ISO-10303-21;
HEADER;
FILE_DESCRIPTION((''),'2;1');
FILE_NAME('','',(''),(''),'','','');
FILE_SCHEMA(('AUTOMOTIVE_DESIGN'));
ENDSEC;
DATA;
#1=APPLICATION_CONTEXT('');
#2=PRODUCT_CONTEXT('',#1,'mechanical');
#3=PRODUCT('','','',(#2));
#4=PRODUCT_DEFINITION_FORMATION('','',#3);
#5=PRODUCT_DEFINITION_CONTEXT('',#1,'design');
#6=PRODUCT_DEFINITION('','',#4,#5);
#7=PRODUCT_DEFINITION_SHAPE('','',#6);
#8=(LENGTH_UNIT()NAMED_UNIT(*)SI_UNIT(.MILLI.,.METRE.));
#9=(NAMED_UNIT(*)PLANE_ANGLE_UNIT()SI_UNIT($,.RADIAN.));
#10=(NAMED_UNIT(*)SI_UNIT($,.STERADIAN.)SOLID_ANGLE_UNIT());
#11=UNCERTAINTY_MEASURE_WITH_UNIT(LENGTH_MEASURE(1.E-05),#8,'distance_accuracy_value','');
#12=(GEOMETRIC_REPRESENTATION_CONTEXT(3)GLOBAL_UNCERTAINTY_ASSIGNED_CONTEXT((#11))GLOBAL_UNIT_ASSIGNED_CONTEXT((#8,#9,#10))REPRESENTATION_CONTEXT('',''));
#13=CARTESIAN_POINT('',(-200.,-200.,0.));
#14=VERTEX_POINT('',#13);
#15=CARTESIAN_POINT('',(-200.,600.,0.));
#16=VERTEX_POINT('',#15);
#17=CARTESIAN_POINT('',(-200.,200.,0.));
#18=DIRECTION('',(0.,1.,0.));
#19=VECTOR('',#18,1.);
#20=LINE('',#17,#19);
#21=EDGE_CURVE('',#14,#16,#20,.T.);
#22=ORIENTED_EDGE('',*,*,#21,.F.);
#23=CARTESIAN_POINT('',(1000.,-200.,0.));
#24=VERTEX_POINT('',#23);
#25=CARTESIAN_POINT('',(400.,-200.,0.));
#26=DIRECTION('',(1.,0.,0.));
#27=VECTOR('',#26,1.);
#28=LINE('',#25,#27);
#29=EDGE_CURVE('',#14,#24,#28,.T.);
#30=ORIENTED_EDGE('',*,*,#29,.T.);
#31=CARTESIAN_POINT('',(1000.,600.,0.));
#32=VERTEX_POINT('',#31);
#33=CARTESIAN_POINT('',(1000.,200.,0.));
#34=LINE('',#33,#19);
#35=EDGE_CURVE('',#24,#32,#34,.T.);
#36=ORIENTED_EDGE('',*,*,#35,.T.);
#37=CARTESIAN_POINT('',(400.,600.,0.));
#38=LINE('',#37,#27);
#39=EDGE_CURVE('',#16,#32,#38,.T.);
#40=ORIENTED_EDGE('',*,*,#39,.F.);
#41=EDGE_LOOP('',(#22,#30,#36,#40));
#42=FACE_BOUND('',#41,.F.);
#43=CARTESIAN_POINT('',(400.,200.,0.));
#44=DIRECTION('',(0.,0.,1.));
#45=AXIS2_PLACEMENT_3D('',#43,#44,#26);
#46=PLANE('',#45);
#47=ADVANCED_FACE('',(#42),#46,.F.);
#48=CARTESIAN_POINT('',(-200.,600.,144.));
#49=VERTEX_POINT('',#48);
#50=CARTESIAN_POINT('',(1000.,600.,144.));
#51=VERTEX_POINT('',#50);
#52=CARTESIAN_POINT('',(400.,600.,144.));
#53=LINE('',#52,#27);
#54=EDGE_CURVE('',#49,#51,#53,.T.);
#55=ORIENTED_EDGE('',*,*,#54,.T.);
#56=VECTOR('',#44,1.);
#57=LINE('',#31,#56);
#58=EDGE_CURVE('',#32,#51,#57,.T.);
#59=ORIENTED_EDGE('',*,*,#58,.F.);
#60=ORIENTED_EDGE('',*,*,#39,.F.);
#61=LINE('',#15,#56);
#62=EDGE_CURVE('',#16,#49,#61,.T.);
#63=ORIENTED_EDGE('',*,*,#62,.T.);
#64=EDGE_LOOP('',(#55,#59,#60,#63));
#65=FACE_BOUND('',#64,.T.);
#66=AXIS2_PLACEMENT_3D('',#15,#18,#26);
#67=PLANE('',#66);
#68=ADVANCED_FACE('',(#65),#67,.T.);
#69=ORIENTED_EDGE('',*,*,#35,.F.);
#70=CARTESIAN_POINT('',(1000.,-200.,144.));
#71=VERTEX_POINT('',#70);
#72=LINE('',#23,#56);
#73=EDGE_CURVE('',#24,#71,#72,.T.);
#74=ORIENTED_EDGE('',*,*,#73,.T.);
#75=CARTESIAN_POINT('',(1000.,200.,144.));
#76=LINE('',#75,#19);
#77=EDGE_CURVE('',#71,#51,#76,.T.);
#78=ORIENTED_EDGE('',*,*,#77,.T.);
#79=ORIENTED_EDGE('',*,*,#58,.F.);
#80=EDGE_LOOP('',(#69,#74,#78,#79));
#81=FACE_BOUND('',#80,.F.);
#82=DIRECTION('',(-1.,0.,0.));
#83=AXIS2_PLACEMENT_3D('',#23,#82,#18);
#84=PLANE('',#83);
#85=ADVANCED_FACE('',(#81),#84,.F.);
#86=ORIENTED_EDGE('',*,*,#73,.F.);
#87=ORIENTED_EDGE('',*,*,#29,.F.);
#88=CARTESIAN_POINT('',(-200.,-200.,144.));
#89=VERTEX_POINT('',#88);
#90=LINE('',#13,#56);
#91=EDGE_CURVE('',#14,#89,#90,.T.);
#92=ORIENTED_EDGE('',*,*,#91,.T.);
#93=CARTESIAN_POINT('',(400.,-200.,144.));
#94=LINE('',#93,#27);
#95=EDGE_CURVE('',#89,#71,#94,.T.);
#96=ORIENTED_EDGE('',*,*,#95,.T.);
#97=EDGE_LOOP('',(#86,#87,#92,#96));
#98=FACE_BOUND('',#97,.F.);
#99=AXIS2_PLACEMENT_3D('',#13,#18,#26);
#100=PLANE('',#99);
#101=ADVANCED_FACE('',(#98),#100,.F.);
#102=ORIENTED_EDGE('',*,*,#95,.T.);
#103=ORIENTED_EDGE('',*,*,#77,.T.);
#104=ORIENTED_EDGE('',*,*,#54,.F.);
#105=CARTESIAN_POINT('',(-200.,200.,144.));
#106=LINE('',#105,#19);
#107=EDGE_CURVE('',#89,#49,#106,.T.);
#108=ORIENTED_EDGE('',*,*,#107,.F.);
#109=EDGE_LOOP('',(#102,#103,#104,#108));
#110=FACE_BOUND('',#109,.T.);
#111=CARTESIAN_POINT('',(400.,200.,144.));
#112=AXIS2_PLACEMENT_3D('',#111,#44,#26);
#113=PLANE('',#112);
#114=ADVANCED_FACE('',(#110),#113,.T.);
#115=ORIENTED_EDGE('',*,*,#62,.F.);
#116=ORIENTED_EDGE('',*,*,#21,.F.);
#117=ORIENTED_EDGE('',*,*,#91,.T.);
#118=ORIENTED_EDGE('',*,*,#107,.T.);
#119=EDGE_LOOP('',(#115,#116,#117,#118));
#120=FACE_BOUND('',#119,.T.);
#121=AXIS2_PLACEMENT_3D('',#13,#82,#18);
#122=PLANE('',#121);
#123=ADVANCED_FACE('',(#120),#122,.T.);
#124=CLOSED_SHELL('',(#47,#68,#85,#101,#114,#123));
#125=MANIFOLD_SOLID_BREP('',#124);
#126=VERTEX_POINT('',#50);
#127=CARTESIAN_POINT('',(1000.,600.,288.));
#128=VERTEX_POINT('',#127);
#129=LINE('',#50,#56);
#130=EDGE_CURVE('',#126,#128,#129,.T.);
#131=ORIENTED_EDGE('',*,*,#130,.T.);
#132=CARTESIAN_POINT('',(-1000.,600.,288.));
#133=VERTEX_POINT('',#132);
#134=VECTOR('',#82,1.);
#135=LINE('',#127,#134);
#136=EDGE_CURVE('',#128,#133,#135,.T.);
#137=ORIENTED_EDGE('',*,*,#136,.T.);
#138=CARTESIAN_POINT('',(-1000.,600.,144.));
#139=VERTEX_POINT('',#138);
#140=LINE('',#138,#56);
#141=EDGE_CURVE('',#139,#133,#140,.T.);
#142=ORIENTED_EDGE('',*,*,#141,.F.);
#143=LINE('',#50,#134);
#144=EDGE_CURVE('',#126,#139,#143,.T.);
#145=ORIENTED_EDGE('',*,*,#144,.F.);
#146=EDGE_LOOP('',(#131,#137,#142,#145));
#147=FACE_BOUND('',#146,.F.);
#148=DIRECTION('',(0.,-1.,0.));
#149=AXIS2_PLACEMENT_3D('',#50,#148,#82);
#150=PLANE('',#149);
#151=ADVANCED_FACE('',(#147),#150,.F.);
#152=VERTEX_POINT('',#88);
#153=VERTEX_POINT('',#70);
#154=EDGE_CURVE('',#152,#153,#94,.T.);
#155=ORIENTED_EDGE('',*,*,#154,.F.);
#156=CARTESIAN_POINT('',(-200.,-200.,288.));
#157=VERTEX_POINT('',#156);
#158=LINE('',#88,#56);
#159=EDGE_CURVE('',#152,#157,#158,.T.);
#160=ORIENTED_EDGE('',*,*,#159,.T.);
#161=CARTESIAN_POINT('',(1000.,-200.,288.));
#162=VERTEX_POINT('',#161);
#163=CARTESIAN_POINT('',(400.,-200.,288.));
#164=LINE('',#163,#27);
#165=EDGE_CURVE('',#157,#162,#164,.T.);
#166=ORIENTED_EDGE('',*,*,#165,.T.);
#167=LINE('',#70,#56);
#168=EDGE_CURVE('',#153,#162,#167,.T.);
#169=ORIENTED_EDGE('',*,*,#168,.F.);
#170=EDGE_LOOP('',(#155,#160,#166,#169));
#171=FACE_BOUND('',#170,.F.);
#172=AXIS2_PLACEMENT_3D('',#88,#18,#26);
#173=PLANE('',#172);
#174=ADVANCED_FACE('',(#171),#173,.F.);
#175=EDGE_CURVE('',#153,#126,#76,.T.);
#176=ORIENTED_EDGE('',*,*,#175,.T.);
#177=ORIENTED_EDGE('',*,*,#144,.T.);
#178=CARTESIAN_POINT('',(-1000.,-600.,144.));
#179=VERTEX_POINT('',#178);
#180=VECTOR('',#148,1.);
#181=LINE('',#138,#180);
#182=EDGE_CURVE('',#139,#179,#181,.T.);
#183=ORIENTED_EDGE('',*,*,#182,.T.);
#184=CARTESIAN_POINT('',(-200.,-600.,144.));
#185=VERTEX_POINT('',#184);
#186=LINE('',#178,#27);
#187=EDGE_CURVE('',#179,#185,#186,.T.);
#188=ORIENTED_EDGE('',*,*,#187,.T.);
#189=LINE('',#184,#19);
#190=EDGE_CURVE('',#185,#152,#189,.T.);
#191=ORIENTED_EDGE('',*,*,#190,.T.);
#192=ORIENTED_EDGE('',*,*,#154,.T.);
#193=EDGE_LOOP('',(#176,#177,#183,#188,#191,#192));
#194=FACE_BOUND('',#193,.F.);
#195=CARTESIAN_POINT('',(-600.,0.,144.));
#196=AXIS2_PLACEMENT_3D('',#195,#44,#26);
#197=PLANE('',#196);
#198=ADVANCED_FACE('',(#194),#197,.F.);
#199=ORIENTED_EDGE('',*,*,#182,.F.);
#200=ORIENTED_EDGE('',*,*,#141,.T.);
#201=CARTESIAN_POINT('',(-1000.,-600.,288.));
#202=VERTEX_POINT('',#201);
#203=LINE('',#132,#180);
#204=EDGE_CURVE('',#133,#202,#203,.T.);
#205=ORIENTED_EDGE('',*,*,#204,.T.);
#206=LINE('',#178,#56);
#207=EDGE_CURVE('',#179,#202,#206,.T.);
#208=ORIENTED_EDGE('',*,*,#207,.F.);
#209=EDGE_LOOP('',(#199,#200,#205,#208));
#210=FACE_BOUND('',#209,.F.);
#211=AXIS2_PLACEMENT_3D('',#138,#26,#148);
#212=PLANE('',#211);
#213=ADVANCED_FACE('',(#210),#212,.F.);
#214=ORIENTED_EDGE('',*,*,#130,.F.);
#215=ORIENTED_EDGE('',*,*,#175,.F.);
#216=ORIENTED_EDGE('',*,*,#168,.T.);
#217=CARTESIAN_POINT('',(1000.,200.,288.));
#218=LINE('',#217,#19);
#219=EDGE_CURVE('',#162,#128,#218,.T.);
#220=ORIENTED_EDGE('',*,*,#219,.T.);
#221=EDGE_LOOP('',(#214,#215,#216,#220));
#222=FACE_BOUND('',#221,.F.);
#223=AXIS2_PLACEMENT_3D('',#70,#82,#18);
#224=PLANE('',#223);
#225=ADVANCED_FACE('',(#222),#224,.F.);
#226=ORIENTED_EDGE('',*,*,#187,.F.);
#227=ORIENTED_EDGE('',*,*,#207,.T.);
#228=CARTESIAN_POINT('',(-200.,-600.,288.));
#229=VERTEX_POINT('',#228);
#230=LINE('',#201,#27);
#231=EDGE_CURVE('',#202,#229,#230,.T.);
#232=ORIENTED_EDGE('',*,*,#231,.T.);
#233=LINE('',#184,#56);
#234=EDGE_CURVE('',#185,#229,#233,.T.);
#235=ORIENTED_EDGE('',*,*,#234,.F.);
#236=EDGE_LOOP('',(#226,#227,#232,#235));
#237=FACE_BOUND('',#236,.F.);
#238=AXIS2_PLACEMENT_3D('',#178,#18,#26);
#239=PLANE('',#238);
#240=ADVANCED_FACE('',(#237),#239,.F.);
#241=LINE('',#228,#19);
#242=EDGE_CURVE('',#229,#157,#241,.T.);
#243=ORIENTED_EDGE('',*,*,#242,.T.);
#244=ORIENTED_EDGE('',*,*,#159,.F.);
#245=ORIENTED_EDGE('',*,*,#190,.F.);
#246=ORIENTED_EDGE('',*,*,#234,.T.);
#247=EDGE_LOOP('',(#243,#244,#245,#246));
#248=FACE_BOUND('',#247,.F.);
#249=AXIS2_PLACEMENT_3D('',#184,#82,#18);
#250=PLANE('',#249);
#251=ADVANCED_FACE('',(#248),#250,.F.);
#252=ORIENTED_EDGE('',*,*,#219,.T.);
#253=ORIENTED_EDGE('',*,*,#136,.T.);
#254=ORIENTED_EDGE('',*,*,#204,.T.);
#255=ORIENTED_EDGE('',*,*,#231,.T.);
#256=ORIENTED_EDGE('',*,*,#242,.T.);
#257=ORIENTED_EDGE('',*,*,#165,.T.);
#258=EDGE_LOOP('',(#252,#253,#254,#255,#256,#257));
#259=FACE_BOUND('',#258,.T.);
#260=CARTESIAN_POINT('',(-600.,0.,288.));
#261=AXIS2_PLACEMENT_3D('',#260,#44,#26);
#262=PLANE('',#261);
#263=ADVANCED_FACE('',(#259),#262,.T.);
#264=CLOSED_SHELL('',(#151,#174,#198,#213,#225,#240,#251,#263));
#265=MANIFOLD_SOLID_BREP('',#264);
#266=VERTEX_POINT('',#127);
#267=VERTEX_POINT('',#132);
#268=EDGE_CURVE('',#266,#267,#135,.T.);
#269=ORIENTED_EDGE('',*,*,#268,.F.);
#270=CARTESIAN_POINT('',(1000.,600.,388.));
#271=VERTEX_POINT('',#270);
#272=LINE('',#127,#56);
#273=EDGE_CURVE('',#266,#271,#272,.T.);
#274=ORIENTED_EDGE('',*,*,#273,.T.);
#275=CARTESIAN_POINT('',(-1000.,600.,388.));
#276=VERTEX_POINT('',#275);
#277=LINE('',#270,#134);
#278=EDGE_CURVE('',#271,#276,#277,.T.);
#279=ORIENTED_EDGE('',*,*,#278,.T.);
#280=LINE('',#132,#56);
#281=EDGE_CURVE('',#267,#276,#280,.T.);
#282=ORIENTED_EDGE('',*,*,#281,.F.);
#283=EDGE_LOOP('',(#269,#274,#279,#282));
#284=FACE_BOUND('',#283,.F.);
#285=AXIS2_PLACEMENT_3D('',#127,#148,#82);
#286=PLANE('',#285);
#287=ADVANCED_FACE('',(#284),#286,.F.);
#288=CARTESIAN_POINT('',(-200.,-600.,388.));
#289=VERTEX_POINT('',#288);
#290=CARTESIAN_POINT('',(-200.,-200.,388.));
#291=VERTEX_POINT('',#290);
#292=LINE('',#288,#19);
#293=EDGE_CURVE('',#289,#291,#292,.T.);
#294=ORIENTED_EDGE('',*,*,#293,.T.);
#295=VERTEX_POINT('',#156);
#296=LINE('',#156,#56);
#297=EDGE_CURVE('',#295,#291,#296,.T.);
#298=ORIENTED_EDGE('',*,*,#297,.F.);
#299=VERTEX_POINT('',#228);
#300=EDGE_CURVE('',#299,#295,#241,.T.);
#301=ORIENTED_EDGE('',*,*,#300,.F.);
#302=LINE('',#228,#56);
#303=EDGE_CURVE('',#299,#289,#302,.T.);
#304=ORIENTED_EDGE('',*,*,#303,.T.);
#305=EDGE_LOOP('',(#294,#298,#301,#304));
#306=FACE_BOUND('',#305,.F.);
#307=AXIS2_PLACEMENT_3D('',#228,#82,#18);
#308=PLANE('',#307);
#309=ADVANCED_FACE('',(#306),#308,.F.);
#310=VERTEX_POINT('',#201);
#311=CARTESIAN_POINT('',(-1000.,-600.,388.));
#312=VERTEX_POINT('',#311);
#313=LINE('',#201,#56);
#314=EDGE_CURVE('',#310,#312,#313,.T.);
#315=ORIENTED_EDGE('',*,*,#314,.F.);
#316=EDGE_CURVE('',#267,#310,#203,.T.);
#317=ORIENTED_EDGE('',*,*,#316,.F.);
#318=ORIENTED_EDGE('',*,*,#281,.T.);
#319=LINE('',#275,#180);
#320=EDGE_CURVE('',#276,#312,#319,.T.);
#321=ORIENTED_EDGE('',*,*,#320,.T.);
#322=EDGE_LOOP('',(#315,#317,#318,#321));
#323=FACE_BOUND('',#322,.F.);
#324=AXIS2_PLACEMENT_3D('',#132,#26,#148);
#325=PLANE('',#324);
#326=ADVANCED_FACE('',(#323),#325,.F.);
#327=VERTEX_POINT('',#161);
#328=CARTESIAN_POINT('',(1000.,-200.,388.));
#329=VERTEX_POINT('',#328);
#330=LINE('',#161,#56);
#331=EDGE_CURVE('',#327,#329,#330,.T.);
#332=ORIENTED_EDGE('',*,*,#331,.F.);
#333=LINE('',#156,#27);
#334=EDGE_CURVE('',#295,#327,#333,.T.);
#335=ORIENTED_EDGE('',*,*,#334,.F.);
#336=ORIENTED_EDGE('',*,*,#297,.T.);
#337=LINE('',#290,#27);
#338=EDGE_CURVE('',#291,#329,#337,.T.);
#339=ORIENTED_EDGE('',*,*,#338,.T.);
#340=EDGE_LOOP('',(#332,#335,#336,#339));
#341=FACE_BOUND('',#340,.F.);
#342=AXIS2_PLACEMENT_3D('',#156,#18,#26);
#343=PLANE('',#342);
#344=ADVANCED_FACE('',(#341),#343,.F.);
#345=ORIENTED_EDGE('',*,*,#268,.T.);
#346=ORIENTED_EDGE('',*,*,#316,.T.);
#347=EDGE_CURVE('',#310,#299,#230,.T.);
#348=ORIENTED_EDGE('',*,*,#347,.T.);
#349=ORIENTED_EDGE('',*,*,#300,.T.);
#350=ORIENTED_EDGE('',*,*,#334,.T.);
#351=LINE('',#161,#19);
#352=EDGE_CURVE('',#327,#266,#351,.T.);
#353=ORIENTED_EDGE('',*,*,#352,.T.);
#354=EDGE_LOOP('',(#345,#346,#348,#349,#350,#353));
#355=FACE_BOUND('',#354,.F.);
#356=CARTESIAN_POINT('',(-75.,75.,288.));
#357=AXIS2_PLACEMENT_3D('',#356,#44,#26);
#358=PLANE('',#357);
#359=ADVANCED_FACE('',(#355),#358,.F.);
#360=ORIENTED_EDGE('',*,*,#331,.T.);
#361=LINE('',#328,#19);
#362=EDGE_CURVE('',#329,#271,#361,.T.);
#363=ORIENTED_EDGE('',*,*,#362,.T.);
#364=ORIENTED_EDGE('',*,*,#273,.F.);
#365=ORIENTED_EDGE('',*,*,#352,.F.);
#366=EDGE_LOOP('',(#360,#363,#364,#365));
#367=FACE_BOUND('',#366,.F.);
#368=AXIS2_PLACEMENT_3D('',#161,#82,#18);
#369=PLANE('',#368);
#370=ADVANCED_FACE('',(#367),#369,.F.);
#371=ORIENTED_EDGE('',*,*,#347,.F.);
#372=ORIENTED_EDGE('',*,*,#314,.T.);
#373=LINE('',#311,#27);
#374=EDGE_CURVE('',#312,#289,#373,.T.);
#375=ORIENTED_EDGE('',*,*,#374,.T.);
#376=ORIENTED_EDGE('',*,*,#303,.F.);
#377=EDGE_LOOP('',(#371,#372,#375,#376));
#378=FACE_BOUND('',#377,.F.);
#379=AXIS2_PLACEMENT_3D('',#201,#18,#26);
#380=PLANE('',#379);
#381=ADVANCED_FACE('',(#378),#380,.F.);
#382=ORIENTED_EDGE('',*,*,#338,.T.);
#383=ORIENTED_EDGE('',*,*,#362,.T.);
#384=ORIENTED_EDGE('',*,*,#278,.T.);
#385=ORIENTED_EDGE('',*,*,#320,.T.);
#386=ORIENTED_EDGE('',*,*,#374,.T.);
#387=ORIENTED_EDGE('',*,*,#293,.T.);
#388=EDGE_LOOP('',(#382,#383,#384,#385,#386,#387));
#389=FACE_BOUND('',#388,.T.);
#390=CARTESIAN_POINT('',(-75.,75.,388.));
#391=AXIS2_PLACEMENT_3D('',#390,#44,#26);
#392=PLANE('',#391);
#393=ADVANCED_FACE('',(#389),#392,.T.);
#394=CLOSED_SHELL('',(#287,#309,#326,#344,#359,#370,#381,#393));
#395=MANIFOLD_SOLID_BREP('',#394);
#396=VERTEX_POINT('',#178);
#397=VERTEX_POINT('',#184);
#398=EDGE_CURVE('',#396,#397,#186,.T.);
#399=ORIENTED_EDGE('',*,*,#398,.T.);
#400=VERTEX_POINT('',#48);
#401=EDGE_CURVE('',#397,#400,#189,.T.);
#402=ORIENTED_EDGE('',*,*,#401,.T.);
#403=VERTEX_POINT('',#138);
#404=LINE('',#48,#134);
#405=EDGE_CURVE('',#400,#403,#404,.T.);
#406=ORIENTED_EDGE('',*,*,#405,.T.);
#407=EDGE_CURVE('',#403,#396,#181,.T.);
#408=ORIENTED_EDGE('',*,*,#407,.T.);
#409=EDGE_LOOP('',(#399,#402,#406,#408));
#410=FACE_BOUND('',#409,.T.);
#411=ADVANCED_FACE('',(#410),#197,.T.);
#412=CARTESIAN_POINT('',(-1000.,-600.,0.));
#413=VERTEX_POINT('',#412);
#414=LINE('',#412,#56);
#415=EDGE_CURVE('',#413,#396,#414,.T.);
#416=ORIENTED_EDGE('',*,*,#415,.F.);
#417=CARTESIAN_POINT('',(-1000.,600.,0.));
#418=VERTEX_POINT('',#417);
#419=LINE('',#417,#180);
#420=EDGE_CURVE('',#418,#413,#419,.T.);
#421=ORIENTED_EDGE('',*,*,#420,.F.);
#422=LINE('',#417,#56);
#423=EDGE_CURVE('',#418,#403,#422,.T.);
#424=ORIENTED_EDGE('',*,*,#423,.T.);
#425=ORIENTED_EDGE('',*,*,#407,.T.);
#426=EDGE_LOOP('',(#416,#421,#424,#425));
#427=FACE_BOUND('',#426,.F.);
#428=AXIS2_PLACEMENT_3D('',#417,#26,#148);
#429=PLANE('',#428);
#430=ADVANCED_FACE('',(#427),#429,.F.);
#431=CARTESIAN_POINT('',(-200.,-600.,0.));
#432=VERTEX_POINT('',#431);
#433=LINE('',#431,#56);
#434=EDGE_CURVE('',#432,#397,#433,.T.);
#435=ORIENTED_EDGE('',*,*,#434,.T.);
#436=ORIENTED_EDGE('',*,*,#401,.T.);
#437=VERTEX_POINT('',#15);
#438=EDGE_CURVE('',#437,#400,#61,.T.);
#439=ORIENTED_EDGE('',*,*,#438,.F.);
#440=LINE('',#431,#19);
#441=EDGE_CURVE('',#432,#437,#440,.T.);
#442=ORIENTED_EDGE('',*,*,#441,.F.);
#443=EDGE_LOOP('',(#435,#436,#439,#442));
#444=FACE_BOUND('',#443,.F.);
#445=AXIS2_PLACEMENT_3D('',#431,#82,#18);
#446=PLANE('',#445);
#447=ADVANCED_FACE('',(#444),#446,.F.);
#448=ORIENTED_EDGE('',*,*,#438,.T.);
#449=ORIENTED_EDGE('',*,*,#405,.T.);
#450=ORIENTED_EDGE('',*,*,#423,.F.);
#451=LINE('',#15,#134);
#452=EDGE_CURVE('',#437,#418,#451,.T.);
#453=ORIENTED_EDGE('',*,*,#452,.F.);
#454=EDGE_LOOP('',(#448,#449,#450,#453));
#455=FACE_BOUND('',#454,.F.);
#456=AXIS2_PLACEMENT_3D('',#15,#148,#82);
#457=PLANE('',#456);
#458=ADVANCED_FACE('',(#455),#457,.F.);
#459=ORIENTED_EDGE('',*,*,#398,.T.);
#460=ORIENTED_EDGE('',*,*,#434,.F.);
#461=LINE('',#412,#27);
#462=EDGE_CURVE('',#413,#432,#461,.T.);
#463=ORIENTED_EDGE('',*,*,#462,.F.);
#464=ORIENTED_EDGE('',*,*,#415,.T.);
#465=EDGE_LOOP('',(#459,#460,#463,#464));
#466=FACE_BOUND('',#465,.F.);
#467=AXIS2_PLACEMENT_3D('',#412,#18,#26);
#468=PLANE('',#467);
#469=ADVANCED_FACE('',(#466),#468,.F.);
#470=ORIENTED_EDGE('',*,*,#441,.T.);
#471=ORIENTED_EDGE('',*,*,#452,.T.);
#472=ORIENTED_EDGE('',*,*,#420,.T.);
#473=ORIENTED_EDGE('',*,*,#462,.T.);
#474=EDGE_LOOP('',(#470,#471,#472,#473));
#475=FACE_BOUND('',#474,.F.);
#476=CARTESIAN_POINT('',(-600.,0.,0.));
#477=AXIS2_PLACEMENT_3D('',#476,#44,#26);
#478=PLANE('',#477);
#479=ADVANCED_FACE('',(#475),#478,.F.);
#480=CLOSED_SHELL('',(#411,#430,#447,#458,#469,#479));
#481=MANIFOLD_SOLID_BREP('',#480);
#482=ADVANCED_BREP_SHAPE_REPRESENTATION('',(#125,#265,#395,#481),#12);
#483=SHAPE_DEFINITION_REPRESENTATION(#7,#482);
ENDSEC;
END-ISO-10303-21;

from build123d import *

# Parameters (mm, degrees)
F1_DEPTH = 144
F0_W     = 1200
F0_H     = 800
F2_DEPTH = 144
F3_W     = 1200
F3_H     = 800
F4_DEPTH = 144
F6_DEPTH = 100


with BuildPart() as f1:
    # F0 (on Top) → F1 (new body)
    with BuildSketch(Plane.XY):
        Polygon((-200, -200), (-200, 600), (-1000, 600), (-1000, -600), (-200, -600), align=None)
    extrude(amount=F1_DEPTH)


with BuildPart() as f2:
    # F0 (on Top) → F2 (new body)
    with BuildSketch(Plane.XY):
        with Locations((400, 200)):
            Rectangle(F0_W, F0_H)
    extrude(amount=F2_DEPTH)


with BuildPart() as f4:
    # F3 (on face) → F4 (new body)
    with BuildSketch(Plane.XY.offset(144)):
        Polygon((-200, 600), (-1000, 600), (-1000, -600), (-200, -600), (-200, -200), align=None)
        with Locations((400, 200)):
            Rectangle(F3_W, F3_H)
    extrude(amount=F4_DEPTH)


with BuildPart() as f6:
    # F5 (on face) → F6 (new body)
    with BuildSketch(Plane.XY.offset(288)):
        Polygon((-1000, -600), (-200, -600), (-200, -200), (1000, -200), (1000, 600), (-1000, 600), align=None)
    extrude(amount=F6_DEPTH)


solid = Compound([f1.part, f2.part, f4.part, f6.part])
